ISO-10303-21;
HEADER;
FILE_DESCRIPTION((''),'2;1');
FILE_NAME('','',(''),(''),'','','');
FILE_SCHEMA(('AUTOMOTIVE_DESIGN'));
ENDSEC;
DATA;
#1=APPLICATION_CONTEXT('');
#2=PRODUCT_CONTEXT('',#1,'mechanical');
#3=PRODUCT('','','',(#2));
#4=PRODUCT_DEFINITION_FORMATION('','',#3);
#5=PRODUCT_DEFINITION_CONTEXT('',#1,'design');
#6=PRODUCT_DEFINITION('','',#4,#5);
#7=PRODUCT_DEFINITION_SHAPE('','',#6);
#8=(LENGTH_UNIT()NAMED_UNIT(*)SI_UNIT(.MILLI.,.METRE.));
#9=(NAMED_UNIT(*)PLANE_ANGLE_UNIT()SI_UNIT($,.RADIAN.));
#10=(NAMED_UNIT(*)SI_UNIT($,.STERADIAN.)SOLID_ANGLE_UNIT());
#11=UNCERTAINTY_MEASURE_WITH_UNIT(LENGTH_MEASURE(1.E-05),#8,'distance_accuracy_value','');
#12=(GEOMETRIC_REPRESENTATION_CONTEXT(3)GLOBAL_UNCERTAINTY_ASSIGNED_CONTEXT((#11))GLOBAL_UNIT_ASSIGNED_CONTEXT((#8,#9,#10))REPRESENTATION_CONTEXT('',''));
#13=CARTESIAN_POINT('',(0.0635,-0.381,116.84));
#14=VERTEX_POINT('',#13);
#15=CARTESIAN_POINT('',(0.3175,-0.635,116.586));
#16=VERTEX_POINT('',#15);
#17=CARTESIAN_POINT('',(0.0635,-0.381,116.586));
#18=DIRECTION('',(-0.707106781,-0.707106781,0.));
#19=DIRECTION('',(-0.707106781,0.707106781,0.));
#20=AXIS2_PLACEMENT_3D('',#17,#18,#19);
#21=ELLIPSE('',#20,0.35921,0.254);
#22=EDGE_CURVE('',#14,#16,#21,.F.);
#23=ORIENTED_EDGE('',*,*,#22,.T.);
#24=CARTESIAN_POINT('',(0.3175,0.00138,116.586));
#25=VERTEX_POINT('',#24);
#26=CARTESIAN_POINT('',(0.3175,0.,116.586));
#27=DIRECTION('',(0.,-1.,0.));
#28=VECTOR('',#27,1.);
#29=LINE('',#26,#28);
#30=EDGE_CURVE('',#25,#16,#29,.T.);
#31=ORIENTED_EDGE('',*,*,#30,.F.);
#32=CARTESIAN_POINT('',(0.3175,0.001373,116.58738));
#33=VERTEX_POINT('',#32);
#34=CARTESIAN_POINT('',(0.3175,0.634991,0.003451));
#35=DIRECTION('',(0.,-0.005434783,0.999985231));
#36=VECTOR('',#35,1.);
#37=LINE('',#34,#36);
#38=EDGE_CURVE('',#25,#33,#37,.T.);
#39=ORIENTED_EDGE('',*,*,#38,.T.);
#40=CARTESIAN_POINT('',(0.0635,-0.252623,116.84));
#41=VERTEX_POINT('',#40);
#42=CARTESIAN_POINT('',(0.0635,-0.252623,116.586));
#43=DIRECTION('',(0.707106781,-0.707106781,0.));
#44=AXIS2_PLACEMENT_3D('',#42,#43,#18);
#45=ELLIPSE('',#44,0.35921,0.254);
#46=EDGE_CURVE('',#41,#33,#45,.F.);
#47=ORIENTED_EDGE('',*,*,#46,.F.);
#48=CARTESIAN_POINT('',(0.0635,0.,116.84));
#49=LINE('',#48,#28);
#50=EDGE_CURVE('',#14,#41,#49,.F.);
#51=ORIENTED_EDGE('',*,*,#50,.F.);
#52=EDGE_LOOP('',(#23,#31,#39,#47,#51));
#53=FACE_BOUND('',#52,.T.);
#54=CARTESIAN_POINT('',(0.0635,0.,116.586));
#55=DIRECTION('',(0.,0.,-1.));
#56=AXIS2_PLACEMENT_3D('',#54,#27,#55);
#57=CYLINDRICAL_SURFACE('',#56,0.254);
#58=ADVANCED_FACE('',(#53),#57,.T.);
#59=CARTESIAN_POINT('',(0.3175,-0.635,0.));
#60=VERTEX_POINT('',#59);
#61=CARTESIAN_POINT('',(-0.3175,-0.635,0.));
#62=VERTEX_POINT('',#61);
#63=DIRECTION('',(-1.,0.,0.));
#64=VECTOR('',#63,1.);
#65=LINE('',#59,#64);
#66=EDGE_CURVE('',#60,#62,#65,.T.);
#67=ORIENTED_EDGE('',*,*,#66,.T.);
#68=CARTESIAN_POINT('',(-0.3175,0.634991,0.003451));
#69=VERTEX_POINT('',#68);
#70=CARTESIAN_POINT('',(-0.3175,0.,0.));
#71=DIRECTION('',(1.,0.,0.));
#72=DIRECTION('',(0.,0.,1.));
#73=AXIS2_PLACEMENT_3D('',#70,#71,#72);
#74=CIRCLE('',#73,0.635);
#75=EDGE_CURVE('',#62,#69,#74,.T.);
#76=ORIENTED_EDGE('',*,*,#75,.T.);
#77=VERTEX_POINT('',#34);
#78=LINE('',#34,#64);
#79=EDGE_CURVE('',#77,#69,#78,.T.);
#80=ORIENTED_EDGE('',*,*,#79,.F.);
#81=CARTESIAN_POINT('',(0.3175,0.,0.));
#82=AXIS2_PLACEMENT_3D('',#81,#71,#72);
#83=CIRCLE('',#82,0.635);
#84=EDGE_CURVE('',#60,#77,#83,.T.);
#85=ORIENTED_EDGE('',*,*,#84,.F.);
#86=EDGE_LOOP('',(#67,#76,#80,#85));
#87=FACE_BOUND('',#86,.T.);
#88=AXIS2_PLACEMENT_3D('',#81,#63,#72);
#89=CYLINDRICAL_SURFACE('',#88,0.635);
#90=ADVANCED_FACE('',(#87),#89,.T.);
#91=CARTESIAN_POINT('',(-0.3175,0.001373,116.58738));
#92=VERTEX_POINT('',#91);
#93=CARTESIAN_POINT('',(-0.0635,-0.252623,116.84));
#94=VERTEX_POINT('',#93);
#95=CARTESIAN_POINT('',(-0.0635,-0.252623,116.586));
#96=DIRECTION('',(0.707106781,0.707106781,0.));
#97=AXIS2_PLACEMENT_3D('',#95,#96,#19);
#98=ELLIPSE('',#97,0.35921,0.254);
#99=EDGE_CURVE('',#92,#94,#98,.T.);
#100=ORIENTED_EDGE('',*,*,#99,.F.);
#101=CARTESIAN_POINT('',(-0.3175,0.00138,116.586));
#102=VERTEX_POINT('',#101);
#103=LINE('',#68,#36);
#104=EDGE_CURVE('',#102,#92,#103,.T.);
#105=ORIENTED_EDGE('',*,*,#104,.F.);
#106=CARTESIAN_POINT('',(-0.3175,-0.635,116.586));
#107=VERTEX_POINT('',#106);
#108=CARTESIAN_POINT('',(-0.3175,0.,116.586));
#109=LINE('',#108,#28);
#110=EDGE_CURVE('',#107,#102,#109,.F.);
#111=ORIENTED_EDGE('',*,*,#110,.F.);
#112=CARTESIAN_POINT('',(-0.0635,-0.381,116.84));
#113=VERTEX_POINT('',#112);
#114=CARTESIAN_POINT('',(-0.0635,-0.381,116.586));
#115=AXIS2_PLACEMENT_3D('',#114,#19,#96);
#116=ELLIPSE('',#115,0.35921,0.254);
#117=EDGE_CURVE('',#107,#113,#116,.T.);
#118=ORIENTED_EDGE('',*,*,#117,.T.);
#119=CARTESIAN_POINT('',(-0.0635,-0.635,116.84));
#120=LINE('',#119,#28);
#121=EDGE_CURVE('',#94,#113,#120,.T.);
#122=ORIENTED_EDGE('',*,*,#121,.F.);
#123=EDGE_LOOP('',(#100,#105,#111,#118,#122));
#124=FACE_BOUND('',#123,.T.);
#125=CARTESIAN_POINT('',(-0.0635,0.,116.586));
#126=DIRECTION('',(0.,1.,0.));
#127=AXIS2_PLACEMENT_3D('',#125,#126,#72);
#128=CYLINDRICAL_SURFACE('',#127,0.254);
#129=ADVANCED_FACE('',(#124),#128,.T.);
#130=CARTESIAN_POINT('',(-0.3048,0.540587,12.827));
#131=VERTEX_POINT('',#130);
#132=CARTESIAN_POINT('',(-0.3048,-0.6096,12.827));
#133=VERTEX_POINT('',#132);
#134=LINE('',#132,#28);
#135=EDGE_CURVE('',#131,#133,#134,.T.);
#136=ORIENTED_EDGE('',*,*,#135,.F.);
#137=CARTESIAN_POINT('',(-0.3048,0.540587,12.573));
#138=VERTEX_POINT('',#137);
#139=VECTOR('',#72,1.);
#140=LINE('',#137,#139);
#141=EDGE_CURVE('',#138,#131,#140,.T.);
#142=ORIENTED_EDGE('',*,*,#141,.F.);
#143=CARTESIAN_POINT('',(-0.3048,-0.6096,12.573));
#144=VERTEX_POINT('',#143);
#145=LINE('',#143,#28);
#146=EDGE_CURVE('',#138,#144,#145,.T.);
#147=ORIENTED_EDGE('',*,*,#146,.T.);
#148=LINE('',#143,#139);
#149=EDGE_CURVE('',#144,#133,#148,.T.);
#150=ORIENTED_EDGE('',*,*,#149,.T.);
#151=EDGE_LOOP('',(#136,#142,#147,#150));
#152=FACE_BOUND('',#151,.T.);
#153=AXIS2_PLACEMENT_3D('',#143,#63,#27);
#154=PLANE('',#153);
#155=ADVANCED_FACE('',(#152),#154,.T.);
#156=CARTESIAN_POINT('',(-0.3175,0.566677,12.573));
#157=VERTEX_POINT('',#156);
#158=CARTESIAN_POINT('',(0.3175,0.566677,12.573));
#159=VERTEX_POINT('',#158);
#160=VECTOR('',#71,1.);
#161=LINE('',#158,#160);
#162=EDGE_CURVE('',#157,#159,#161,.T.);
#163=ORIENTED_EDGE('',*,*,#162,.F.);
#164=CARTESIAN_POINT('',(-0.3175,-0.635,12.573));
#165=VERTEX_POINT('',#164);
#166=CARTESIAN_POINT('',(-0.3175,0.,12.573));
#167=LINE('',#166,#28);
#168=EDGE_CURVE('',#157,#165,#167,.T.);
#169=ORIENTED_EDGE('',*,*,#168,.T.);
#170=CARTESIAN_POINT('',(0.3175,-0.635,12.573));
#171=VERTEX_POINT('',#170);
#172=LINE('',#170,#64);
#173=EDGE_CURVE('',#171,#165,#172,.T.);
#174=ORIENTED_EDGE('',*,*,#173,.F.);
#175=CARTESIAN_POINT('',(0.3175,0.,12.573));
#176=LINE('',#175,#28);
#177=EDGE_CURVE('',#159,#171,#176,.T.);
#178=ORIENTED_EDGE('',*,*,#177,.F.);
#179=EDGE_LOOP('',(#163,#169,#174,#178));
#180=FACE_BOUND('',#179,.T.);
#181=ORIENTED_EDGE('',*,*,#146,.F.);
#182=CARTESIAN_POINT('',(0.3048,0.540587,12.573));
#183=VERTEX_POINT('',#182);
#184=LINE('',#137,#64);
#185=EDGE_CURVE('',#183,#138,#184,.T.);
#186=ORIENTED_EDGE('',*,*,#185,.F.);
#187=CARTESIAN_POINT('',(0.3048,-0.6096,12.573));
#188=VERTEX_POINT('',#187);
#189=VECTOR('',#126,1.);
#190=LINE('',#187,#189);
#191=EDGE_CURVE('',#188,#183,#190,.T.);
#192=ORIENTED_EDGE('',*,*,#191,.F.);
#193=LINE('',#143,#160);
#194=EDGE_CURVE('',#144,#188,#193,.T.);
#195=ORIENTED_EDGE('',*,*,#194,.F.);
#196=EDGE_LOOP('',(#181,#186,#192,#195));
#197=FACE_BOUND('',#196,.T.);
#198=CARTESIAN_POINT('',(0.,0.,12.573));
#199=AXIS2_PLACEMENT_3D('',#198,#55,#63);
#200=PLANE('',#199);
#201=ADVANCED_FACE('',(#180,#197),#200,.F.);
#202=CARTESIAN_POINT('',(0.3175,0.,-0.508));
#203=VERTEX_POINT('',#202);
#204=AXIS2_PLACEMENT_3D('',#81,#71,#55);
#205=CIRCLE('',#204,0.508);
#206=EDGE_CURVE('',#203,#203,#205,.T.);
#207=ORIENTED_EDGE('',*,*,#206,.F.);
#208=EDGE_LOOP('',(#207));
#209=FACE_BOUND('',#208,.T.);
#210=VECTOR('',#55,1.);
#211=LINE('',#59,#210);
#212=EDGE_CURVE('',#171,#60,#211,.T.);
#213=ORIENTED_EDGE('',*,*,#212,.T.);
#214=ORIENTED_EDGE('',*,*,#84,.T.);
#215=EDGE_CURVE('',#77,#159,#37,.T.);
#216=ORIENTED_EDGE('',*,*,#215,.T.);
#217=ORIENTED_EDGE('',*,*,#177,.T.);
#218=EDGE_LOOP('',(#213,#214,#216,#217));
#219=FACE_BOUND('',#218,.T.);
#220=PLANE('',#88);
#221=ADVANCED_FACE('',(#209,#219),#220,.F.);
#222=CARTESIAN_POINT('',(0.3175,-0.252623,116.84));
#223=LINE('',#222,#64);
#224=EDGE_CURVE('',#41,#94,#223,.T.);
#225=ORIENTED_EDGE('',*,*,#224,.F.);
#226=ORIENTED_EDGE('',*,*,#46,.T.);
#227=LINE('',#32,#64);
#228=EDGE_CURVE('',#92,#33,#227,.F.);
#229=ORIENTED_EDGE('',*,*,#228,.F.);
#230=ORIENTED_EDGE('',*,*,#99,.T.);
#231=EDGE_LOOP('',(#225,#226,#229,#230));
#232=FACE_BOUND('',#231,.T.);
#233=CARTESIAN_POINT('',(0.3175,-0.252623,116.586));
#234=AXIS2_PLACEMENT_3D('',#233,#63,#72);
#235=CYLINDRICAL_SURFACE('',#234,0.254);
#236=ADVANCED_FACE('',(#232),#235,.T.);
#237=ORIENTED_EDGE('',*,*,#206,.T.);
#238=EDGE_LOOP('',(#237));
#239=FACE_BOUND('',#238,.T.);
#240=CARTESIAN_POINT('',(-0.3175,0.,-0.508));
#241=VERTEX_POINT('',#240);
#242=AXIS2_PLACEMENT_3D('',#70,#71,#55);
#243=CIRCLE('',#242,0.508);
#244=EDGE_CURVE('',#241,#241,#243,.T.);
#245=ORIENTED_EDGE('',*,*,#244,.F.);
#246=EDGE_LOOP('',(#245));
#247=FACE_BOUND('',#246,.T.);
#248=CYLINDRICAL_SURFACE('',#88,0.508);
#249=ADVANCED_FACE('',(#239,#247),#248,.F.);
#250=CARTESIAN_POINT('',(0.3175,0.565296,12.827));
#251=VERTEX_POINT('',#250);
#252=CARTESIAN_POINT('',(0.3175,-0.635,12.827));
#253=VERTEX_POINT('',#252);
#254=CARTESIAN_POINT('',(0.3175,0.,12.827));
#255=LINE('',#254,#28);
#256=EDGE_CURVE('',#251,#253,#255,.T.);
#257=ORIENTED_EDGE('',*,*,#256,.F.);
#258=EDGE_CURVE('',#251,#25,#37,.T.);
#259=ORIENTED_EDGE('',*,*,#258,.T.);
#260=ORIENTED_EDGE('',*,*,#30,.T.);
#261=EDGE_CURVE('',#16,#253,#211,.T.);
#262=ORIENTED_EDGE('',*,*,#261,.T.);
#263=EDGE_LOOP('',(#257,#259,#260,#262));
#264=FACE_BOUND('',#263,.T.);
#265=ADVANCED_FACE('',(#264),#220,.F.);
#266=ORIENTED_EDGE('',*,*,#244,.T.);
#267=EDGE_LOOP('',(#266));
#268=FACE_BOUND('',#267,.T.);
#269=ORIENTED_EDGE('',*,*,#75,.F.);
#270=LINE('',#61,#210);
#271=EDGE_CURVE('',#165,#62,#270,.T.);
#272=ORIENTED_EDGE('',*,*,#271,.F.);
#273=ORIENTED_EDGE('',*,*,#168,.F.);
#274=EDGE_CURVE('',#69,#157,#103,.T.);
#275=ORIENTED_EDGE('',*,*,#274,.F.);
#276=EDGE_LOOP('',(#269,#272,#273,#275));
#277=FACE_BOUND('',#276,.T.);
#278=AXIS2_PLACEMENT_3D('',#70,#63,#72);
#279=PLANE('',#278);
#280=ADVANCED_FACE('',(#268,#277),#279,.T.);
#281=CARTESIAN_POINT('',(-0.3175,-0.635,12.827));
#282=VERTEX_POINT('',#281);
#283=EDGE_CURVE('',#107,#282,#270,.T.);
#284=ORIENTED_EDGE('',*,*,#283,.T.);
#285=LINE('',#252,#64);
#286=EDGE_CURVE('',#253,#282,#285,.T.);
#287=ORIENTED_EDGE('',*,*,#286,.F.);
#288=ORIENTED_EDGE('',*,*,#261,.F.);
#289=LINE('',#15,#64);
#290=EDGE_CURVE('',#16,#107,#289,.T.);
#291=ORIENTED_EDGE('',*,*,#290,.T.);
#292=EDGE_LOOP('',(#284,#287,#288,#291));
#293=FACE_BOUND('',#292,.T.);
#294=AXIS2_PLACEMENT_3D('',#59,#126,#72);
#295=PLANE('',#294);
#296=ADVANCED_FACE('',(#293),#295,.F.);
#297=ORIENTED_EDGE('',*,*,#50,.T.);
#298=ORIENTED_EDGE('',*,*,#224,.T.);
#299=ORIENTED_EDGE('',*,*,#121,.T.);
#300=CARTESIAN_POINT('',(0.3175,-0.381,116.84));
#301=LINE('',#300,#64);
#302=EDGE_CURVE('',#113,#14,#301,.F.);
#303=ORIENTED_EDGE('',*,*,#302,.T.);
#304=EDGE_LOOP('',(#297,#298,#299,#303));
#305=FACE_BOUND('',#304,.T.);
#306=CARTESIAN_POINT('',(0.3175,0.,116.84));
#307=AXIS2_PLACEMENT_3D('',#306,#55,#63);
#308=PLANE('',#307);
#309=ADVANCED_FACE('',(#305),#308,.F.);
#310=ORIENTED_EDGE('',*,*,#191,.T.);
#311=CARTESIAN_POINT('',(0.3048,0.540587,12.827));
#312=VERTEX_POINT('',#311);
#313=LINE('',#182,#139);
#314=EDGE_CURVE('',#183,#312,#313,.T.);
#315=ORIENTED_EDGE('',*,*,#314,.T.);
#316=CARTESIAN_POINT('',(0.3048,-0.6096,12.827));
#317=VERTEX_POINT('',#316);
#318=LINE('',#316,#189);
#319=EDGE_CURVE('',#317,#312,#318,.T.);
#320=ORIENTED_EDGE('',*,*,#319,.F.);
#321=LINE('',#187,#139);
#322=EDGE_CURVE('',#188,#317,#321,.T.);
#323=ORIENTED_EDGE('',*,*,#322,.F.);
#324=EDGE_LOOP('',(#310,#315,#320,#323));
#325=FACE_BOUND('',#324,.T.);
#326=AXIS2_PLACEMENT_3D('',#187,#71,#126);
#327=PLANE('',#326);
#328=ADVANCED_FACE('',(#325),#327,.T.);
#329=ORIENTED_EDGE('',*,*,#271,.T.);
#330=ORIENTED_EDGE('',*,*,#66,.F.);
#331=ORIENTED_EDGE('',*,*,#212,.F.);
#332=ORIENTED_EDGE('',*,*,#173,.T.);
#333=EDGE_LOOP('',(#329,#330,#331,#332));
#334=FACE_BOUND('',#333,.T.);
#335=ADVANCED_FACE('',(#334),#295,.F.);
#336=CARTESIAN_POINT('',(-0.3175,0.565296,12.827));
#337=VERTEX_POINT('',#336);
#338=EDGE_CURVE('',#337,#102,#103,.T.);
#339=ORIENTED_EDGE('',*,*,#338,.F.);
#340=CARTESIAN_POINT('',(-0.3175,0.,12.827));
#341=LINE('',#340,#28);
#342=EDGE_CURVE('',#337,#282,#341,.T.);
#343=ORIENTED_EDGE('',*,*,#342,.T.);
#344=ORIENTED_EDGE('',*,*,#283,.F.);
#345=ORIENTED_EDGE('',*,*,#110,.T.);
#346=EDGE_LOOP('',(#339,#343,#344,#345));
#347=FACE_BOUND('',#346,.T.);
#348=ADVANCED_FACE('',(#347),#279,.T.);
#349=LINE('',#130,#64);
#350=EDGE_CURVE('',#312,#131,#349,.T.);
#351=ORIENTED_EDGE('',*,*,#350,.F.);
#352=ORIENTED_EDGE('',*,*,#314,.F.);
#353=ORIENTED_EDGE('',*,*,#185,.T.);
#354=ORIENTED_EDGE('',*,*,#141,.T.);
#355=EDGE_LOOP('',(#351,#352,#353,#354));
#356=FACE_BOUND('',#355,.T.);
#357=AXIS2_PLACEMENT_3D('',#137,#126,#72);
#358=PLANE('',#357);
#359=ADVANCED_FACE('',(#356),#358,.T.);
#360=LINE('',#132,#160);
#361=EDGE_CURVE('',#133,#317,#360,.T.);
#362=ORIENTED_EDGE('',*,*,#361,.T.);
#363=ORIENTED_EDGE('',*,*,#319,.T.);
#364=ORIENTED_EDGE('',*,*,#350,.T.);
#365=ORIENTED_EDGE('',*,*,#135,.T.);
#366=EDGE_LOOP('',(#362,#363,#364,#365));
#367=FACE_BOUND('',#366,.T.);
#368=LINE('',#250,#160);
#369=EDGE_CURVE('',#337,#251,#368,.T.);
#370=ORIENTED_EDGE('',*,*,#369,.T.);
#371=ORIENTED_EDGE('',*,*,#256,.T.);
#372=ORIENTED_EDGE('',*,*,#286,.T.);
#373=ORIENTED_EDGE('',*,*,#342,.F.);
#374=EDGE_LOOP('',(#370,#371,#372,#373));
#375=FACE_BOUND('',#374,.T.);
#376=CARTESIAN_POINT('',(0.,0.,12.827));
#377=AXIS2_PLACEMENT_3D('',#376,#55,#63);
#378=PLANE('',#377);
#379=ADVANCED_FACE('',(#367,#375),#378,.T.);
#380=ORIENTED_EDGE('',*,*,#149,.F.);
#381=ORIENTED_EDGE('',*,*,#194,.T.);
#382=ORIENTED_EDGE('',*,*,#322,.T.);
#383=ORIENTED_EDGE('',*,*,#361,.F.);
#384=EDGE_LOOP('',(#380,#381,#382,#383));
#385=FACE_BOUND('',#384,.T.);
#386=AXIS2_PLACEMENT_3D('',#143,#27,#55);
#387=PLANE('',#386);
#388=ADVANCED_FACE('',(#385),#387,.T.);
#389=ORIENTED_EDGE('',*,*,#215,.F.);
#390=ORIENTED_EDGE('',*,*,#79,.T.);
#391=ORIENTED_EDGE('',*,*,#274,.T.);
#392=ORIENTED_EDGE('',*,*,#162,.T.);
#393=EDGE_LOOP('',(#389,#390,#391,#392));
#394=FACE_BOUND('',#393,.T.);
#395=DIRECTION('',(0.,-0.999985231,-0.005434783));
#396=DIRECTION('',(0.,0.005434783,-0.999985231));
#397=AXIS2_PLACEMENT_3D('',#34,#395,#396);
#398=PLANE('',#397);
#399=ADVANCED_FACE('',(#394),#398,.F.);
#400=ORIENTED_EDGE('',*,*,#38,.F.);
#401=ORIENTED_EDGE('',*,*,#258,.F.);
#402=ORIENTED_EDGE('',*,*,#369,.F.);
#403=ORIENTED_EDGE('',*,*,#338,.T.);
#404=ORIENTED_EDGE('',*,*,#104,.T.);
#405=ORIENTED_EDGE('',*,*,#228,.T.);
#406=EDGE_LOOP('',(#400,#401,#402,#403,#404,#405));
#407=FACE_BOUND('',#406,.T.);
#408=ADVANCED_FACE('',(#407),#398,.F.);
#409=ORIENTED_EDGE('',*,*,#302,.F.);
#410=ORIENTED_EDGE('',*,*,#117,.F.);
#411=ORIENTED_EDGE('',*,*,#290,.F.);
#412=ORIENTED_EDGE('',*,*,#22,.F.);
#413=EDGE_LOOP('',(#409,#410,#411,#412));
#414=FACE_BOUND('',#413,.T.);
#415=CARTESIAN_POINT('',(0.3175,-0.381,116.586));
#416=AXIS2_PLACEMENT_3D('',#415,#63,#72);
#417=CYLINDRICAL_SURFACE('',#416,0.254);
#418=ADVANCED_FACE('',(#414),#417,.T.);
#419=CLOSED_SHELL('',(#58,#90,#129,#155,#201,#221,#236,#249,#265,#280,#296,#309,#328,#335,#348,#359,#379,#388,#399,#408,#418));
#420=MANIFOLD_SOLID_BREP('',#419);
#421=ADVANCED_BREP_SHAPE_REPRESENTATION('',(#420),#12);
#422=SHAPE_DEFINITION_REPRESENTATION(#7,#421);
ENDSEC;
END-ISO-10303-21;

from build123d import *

# Parameters (mm, degrees)
SKETCH2_R           = 0.508
BOSS_EXTRUDE1_DEPTH = 0.3175
FILLET1_R           = 0.254
SKETCH3_W           = 1.016
SKETCH3_H           = 1.524
SKETCH3_W_2         = 0.6096
SKETCH3_H_2         = 1.15018662
CUT_EXTRUDE1_DEPTH  = 0.127


with BuildPart() as part:
    # Sketch2 → Boss-Extrude1 (new body, symmetric)
    with BuildSketch(Plane(origin=(0, 0, 0), x_dir=(0, 0, -1), z_dir=(1, 0, 0))):
        with BuildLine():
            Line((0, -0.635), (-116.84, -0.635))
            Line((-116.84, -0.635), (-116.84, 0))
            Line((-116.84, 0), (-0.003451087, 0.634990622))
            ThreePointArc((-0.003451087, 0.634990622), (0.634997655, 0.00172555), (0, -0.635))
        make_face()
        Circle(SKETCH2_R, mode=Mode.SUBTRACT)
    extrude(amount=BOSS_EXTRUDE1_DEPTH, both=True)

    # Fillet1
    fillet1_edges = [part.edges().sort_by_distance(p)[0] for p in [
        (0.3175, -0.3175, 116.84),
        (-0.3175, -0.3175, 116.84),
        (0, -0.635, 116.84),
        (0, 0, 116.84),
    ]]
    fillet(fillet1_edges, radius=FILLET1_R)

    # Sketch3 → Cut-Extrude1 (cut, symmetric)
    with BuildSketch(Plane.XY.offset(12.7)):
        with Locations((0, -0.03450669)):
            Rectangle(SKETCH3_W, SKETCH3_H)
        with Locations((0, -0.03450669)):
            Rectangle(SKETCH3_W_2, SKETCH3_H_2, mode=Mode.SUBTRACT)
    extrude(amount=CUT_EXTRUDE1_DEPTH, both=True, mode=Mode.SUBTRACT)


solid = part.part
